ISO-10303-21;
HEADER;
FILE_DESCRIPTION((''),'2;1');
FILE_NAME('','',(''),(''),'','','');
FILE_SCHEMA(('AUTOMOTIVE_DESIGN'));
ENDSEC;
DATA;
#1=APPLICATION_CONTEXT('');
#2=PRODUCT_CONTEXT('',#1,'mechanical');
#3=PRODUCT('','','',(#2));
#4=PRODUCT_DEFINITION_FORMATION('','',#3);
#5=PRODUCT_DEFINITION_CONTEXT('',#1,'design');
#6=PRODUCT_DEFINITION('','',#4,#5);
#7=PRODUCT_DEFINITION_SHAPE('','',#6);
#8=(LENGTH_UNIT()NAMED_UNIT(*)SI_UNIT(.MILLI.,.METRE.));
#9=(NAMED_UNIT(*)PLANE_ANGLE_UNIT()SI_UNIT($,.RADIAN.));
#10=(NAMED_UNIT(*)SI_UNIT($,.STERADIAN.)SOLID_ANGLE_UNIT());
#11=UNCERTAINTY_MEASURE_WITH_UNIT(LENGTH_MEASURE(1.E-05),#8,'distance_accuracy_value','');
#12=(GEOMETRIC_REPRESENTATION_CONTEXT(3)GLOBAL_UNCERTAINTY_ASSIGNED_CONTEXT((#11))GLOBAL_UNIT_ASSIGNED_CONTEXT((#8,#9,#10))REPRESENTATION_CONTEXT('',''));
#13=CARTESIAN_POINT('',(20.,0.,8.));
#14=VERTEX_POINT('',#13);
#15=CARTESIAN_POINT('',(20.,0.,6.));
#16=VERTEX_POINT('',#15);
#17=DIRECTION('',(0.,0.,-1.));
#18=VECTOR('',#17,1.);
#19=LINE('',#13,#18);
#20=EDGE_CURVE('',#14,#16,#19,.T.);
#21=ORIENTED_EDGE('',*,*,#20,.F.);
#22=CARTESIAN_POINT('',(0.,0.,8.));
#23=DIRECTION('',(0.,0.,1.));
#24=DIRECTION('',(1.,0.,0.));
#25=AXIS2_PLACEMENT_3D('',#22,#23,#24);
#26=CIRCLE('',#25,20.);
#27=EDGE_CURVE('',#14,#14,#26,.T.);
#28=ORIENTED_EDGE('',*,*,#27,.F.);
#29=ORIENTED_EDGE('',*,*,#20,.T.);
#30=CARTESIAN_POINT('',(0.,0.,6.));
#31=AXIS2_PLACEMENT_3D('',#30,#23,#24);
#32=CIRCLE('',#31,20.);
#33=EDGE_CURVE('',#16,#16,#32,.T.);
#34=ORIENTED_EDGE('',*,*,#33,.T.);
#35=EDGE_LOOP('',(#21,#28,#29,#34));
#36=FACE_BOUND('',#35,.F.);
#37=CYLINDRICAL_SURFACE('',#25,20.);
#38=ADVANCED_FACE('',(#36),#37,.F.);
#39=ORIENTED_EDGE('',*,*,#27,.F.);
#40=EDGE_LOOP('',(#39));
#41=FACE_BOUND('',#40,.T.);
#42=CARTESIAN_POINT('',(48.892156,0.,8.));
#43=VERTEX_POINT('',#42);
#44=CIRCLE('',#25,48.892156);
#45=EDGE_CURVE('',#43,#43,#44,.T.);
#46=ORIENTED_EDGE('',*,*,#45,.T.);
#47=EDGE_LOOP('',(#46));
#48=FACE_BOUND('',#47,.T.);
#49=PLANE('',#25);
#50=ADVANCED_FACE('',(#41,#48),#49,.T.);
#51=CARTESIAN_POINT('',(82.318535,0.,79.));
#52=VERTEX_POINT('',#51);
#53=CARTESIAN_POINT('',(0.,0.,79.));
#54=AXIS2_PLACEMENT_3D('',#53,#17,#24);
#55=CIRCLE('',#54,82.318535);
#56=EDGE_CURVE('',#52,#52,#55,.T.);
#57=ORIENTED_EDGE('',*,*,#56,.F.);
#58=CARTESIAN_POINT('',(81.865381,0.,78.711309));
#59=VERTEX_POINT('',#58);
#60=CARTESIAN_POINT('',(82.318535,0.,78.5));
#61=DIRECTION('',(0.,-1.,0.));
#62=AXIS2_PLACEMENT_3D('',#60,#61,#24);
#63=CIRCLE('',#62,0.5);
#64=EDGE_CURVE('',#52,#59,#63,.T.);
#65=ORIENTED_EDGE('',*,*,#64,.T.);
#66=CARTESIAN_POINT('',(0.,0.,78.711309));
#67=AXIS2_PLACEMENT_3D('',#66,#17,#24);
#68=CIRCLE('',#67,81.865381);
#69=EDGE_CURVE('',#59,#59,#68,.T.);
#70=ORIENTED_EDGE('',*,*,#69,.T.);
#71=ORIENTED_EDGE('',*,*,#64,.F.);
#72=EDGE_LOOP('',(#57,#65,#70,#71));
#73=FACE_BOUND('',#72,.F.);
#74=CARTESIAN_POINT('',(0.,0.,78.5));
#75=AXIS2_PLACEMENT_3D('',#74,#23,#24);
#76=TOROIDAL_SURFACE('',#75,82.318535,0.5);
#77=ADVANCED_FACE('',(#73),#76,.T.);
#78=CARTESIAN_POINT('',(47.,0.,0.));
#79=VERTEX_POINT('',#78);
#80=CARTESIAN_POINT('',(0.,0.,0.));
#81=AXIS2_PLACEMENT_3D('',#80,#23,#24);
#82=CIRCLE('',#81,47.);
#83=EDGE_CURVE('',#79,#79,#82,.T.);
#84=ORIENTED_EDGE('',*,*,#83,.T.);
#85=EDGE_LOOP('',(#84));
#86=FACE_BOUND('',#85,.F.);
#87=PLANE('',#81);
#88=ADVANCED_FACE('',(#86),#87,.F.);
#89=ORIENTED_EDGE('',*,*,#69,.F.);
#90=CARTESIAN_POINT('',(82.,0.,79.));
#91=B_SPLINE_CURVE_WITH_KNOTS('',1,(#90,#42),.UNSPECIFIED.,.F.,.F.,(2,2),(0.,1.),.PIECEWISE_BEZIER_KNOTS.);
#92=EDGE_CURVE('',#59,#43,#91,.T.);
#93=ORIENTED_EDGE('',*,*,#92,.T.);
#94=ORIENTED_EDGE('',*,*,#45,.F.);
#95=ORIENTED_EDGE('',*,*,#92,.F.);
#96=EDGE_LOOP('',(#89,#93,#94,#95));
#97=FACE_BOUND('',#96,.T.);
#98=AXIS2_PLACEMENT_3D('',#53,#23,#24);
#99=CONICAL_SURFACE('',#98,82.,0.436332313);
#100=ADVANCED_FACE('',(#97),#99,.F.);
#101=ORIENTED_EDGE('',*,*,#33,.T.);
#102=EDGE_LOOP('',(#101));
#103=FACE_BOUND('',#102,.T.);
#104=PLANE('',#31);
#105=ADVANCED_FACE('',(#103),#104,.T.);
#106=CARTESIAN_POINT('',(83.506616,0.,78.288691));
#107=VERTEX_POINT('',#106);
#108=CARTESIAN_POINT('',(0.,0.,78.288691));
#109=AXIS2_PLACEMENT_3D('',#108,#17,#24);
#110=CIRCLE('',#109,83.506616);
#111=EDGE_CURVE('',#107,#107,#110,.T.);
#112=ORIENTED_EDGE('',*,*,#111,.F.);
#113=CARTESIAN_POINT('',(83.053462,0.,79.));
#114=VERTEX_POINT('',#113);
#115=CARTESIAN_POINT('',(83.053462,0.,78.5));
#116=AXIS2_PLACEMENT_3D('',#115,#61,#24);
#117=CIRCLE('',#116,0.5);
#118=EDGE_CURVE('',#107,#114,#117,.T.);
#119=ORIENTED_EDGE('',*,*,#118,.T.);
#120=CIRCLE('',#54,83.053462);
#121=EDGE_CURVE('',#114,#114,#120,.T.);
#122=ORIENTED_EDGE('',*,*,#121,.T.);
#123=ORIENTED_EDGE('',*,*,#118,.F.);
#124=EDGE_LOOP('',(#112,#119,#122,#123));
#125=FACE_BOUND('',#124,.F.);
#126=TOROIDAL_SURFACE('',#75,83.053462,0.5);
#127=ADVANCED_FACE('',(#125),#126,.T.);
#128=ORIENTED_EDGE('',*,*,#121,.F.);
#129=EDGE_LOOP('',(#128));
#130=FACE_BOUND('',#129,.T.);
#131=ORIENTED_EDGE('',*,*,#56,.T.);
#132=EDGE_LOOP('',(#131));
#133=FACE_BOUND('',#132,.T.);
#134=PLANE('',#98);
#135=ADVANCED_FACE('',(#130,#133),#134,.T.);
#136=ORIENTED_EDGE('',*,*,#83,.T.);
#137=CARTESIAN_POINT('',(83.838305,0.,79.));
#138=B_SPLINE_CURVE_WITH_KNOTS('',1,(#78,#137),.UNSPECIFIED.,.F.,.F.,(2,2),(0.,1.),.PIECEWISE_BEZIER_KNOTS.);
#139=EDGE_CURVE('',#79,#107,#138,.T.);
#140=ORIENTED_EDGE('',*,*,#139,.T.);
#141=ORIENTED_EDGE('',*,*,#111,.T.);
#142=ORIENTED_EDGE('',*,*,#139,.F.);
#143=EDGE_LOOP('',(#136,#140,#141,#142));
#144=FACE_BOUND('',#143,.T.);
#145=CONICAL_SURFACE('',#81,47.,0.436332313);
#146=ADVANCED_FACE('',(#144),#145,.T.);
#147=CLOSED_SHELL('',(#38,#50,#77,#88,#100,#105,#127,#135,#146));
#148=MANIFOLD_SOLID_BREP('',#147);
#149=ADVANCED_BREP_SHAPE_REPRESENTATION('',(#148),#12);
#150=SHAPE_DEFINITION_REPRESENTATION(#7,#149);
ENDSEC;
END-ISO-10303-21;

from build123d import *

# Parameters (mm, degrees)
F0_R     = 47
F1_DEPTH = 79
F1_TAPER = -25
F2_R     = 82
F3_DEPTH = 71
F3_TAPER = 25
F4_R     = 20
F5_DEPTH = 2
F6_R     = 0.5


with BuildPart() as f1:
    # F0 (on Top) → F1 (new body)
    with BuildSketch(Plane.XY):
        Circle(F0_R)
    extrude(amount=F1_DEPTH, taper=F1_TAPER)

    # F2 (on face) → F3 (cut)
    with BuildSketch(Plane.XY.offset(79)):
        Circle(F2_R)
    extrude(amount=-F3_DEPTH, taper=F3_TAPER, mode=Mode.SUBTRACT)

    # F4 (on face) → F5 (cut)
    with BuildSketch(Plane.XY.offset(8)):
        Circle(F4_R)
    extrude(amount=-F5_DEPTH, mode=Mode.SUBTRACT)

    # F6
    f6_edges = [f1.edges().sort_by_distance(p)[0] for p in [
        (-83.838305, 0, 79),
        (-82, 0, 79),
    ]]
    fillet(f6_edges, radius=F6_R)


solid = f1.part
